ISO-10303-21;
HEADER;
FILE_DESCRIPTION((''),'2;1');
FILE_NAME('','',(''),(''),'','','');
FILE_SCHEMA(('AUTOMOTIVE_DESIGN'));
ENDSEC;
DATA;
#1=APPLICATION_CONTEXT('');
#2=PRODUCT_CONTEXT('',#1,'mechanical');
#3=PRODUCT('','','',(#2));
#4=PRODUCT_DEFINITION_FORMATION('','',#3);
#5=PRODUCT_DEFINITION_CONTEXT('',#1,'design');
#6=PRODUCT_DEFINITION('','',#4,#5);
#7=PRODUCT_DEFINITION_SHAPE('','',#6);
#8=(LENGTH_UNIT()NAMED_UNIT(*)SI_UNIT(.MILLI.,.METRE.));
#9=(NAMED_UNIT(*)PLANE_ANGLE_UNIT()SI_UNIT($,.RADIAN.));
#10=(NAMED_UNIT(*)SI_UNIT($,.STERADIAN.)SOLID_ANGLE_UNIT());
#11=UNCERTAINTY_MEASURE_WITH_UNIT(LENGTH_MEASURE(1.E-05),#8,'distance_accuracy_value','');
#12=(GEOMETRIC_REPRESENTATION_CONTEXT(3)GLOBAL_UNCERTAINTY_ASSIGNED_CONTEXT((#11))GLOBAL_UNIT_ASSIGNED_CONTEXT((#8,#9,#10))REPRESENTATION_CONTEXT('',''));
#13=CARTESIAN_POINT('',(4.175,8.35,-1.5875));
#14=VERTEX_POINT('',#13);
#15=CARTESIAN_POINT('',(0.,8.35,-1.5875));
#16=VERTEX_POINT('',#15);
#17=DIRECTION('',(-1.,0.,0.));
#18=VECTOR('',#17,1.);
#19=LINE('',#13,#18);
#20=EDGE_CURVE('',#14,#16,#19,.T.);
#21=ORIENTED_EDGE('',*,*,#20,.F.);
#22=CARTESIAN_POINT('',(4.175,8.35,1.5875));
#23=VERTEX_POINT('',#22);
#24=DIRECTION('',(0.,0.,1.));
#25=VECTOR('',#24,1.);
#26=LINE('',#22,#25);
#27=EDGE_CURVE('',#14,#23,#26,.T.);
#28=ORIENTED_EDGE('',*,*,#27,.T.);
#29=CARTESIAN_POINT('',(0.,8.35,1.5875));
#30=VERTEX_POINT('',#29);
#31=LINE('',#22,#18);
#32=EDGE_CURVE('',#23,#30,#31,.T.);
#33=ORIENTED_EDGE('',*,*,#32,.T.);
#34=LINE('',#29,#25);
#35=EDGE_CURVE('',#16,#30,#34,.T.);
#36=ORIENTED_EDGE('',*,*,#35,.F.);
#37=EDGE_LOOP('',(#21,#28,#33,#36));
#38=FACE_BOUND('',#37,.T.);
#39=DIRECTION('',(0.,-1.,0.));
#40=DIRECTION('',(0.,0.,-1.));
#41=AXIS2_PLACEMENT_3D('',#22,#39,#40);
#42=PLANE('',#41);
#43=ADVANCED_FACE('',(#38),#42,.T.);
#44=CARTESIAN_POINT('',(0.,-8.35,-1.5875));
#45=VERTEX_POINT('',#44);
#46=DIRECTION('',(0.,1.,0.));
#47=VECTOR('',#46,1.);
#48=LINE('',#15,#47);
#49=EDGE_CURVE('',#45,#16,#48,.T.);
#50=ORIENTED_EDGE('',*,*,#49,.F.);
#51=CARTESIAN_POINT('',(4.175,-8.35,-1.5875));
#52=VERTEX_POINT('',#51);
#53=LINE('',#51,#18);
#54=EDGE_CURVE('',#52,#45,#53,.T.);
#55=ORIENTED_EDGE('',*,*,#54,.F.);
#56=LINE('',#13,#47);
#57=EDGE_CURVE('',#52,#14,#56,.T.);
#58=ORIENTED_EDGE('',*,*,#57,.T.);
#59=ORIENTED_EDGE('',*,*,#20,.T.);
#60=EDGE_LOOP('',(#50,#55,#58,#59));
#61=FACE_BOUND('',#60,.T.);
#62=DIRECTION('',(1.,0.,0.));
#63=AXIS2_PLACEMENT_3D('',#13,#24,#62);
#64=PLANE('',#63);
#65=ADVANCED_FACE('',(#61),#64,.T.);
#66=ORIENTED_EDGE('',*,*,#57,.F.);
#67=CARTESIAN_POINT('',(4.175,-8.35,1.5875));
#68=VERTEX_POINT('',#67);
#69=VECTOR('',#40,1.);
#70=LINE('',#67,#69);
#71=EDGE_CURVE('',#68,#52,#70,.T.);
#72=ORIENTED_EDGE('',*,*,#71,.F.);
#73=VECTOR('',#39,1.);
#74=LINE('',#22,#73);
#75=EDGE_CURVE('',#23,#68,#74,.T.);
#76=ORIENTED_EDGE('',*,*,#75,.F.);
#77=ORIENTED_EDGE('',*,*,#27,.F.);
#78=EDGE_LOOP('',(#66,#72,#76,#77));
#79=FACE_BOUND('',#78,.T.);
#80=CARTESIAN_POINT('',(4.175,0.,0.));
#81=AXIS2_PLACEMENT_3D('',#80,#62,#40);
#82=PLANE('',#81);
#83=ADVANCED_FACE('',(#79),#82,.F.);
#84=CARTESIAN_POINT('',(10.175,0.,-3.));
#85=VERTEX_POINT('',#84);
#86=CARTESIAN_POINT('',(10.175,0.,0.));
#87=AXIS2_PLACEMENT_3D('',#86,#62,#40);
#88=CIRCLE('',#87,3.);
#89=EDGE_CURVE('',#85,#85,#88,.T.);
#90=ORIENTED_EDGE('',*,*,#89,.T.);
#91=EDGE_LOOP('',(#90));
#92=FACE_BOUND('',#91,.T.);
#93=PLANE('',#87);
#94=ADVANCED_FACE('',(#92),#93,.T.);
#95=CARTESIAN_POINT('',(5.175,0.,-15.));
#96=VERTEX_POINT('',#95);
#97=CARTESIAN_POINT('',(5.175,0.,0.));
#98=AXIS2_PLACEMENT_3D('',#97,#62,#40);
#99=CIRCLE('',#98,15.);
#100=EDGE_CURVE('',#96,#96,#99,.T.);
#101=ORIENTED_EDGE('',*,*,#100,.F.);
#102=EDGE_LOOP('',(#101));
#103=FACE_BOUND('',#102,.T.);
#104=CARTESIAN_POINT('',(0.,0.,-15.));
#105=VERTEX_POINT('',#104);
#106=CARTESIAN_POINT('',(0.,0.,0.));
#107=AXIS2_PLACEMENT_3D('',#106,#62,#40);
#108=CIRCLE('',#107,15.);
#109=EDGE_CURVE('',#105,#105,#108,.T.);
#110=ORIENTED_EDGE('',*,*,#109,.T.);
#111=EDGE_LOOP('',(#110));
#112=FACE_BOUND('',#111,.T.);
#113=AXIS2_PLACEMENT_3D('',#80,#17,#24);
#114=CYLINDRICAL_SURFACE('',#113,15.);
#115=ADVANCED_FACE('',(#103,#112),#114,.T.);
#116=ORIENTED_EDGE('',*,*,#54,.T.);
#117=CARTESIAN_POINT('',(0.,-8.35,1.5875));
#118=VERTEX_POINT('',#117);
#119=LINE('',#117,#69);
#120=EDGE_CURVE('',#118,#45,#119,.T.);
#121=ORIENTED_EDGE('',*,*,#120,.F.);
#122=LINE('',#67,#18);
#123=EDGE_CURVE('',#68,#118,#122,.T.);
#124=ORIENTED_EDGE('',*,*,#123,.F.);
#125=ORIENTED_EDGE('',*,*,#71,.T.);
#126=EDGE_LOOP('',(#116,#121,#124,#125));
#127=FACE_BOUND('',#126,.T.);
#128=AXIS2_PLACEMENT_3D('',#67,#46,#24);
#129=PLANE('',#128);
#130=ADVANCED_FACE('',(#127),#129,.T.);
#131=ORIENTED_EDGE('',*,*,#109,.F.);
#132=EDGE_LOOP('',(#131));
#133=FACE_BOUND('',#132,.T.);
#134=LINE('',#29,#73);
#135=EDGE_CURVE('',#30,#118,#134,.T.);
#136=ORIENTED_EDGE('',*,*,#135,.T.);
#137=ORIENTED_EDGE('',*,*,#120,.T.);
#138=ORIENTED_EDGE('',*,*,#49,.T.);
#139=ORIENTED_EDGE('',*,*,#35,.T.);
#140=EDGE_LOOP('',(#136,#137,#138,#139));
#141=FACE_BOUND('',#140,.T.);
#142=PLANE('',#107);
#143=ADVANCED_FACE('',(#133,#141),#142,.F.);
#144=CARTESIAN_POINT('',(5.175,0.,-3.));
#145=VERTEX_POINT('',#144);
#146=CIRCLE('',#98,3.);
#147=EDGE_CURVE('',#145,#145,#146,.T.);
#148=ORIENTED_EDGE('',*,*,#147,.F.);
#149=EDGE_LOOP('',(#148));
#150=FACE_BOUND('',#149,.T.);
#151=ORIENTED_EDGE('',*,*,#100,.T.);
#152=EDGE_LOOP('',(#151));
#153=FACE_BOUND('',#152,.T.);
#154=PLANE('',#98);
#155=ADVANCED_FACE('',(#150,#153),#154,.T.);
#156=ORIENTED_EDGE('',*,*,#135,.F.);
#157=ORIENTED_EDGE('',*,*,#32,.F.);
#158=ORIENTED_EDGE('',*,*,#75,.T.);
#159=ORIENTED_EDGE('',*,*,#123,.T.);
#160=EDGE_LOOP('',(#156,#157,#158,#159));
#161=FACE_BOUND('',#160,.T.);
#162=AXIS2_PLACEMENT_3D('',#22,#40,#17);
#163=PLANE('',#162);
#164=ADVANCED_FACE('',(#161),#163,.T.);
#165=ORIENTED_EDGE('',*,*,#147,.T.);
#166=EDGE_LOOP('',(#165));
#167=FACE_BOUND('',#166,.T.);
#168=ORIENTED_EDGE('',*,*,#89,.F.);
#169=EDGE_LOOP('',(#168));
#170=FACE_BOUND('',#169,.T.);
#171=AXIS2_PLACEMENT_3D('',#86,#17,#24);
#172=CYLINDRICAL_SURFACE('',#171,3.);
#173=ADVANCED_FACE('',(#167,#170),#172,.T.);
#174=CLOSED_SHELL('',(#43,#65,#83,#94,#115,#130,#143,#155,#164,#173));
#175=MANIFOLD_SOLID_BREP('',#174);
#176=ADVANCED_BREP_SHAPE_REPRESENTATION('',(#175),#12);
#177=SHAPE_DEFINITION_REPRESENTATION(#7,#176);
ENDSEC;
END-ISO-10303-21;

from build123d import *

# Parameters (mm, degrees)
SKETCH1_R           = 15
SKETCH1_W           = 3.175
SKETCH1_H           = 16.7
BOSS_EXTRUDE1_DEPTH = 4.175
SKETCH2_R           = 15
BOSS_EXTRUDE2_DEPTH = 1
SKETCH3_R           = 3
BOSS_EXTRUDE3_DEPTH = 5


with BuildPart() as part:
    # Sketch1 → Boss-Extrude1 (new body)
    with BuildSketch(Plane(origin=(0, 0, 0), x_dir=(0, 0, -1), z_dir=(1, 0, 0))):
        Circle(SKETCH1_R)
        Rectangle(SKETCH1_W, SKETCH1_H, mode=Mode.SUBTRACT)
    extrude(amount=BOSS_EXTRUDE1_DEPTH)

    # Sketch2 → Boss-Extrude2 (add)
    with BuildSketch(Plane(origin=(4.175, 0, 0), x_dir=(0, 0, -1), z_dir=(1, 0, 0))):
        Circle(SKETCH2_R)
    extrude(amount=BOSS_EXTRUDE2_DEPTH)

    # Sketch3 → Boss-Extrude3 (add)
    with BuildSketch(Plane(origin=(5.175, 0, 0), x_dir=(0, 0, -1), z_dir=(1, 0, 0))):
        Circle(SKETCH3_R)
    extrude(amount=BOSS_EXTRUDE3_DEPTH)


solid = part.part
